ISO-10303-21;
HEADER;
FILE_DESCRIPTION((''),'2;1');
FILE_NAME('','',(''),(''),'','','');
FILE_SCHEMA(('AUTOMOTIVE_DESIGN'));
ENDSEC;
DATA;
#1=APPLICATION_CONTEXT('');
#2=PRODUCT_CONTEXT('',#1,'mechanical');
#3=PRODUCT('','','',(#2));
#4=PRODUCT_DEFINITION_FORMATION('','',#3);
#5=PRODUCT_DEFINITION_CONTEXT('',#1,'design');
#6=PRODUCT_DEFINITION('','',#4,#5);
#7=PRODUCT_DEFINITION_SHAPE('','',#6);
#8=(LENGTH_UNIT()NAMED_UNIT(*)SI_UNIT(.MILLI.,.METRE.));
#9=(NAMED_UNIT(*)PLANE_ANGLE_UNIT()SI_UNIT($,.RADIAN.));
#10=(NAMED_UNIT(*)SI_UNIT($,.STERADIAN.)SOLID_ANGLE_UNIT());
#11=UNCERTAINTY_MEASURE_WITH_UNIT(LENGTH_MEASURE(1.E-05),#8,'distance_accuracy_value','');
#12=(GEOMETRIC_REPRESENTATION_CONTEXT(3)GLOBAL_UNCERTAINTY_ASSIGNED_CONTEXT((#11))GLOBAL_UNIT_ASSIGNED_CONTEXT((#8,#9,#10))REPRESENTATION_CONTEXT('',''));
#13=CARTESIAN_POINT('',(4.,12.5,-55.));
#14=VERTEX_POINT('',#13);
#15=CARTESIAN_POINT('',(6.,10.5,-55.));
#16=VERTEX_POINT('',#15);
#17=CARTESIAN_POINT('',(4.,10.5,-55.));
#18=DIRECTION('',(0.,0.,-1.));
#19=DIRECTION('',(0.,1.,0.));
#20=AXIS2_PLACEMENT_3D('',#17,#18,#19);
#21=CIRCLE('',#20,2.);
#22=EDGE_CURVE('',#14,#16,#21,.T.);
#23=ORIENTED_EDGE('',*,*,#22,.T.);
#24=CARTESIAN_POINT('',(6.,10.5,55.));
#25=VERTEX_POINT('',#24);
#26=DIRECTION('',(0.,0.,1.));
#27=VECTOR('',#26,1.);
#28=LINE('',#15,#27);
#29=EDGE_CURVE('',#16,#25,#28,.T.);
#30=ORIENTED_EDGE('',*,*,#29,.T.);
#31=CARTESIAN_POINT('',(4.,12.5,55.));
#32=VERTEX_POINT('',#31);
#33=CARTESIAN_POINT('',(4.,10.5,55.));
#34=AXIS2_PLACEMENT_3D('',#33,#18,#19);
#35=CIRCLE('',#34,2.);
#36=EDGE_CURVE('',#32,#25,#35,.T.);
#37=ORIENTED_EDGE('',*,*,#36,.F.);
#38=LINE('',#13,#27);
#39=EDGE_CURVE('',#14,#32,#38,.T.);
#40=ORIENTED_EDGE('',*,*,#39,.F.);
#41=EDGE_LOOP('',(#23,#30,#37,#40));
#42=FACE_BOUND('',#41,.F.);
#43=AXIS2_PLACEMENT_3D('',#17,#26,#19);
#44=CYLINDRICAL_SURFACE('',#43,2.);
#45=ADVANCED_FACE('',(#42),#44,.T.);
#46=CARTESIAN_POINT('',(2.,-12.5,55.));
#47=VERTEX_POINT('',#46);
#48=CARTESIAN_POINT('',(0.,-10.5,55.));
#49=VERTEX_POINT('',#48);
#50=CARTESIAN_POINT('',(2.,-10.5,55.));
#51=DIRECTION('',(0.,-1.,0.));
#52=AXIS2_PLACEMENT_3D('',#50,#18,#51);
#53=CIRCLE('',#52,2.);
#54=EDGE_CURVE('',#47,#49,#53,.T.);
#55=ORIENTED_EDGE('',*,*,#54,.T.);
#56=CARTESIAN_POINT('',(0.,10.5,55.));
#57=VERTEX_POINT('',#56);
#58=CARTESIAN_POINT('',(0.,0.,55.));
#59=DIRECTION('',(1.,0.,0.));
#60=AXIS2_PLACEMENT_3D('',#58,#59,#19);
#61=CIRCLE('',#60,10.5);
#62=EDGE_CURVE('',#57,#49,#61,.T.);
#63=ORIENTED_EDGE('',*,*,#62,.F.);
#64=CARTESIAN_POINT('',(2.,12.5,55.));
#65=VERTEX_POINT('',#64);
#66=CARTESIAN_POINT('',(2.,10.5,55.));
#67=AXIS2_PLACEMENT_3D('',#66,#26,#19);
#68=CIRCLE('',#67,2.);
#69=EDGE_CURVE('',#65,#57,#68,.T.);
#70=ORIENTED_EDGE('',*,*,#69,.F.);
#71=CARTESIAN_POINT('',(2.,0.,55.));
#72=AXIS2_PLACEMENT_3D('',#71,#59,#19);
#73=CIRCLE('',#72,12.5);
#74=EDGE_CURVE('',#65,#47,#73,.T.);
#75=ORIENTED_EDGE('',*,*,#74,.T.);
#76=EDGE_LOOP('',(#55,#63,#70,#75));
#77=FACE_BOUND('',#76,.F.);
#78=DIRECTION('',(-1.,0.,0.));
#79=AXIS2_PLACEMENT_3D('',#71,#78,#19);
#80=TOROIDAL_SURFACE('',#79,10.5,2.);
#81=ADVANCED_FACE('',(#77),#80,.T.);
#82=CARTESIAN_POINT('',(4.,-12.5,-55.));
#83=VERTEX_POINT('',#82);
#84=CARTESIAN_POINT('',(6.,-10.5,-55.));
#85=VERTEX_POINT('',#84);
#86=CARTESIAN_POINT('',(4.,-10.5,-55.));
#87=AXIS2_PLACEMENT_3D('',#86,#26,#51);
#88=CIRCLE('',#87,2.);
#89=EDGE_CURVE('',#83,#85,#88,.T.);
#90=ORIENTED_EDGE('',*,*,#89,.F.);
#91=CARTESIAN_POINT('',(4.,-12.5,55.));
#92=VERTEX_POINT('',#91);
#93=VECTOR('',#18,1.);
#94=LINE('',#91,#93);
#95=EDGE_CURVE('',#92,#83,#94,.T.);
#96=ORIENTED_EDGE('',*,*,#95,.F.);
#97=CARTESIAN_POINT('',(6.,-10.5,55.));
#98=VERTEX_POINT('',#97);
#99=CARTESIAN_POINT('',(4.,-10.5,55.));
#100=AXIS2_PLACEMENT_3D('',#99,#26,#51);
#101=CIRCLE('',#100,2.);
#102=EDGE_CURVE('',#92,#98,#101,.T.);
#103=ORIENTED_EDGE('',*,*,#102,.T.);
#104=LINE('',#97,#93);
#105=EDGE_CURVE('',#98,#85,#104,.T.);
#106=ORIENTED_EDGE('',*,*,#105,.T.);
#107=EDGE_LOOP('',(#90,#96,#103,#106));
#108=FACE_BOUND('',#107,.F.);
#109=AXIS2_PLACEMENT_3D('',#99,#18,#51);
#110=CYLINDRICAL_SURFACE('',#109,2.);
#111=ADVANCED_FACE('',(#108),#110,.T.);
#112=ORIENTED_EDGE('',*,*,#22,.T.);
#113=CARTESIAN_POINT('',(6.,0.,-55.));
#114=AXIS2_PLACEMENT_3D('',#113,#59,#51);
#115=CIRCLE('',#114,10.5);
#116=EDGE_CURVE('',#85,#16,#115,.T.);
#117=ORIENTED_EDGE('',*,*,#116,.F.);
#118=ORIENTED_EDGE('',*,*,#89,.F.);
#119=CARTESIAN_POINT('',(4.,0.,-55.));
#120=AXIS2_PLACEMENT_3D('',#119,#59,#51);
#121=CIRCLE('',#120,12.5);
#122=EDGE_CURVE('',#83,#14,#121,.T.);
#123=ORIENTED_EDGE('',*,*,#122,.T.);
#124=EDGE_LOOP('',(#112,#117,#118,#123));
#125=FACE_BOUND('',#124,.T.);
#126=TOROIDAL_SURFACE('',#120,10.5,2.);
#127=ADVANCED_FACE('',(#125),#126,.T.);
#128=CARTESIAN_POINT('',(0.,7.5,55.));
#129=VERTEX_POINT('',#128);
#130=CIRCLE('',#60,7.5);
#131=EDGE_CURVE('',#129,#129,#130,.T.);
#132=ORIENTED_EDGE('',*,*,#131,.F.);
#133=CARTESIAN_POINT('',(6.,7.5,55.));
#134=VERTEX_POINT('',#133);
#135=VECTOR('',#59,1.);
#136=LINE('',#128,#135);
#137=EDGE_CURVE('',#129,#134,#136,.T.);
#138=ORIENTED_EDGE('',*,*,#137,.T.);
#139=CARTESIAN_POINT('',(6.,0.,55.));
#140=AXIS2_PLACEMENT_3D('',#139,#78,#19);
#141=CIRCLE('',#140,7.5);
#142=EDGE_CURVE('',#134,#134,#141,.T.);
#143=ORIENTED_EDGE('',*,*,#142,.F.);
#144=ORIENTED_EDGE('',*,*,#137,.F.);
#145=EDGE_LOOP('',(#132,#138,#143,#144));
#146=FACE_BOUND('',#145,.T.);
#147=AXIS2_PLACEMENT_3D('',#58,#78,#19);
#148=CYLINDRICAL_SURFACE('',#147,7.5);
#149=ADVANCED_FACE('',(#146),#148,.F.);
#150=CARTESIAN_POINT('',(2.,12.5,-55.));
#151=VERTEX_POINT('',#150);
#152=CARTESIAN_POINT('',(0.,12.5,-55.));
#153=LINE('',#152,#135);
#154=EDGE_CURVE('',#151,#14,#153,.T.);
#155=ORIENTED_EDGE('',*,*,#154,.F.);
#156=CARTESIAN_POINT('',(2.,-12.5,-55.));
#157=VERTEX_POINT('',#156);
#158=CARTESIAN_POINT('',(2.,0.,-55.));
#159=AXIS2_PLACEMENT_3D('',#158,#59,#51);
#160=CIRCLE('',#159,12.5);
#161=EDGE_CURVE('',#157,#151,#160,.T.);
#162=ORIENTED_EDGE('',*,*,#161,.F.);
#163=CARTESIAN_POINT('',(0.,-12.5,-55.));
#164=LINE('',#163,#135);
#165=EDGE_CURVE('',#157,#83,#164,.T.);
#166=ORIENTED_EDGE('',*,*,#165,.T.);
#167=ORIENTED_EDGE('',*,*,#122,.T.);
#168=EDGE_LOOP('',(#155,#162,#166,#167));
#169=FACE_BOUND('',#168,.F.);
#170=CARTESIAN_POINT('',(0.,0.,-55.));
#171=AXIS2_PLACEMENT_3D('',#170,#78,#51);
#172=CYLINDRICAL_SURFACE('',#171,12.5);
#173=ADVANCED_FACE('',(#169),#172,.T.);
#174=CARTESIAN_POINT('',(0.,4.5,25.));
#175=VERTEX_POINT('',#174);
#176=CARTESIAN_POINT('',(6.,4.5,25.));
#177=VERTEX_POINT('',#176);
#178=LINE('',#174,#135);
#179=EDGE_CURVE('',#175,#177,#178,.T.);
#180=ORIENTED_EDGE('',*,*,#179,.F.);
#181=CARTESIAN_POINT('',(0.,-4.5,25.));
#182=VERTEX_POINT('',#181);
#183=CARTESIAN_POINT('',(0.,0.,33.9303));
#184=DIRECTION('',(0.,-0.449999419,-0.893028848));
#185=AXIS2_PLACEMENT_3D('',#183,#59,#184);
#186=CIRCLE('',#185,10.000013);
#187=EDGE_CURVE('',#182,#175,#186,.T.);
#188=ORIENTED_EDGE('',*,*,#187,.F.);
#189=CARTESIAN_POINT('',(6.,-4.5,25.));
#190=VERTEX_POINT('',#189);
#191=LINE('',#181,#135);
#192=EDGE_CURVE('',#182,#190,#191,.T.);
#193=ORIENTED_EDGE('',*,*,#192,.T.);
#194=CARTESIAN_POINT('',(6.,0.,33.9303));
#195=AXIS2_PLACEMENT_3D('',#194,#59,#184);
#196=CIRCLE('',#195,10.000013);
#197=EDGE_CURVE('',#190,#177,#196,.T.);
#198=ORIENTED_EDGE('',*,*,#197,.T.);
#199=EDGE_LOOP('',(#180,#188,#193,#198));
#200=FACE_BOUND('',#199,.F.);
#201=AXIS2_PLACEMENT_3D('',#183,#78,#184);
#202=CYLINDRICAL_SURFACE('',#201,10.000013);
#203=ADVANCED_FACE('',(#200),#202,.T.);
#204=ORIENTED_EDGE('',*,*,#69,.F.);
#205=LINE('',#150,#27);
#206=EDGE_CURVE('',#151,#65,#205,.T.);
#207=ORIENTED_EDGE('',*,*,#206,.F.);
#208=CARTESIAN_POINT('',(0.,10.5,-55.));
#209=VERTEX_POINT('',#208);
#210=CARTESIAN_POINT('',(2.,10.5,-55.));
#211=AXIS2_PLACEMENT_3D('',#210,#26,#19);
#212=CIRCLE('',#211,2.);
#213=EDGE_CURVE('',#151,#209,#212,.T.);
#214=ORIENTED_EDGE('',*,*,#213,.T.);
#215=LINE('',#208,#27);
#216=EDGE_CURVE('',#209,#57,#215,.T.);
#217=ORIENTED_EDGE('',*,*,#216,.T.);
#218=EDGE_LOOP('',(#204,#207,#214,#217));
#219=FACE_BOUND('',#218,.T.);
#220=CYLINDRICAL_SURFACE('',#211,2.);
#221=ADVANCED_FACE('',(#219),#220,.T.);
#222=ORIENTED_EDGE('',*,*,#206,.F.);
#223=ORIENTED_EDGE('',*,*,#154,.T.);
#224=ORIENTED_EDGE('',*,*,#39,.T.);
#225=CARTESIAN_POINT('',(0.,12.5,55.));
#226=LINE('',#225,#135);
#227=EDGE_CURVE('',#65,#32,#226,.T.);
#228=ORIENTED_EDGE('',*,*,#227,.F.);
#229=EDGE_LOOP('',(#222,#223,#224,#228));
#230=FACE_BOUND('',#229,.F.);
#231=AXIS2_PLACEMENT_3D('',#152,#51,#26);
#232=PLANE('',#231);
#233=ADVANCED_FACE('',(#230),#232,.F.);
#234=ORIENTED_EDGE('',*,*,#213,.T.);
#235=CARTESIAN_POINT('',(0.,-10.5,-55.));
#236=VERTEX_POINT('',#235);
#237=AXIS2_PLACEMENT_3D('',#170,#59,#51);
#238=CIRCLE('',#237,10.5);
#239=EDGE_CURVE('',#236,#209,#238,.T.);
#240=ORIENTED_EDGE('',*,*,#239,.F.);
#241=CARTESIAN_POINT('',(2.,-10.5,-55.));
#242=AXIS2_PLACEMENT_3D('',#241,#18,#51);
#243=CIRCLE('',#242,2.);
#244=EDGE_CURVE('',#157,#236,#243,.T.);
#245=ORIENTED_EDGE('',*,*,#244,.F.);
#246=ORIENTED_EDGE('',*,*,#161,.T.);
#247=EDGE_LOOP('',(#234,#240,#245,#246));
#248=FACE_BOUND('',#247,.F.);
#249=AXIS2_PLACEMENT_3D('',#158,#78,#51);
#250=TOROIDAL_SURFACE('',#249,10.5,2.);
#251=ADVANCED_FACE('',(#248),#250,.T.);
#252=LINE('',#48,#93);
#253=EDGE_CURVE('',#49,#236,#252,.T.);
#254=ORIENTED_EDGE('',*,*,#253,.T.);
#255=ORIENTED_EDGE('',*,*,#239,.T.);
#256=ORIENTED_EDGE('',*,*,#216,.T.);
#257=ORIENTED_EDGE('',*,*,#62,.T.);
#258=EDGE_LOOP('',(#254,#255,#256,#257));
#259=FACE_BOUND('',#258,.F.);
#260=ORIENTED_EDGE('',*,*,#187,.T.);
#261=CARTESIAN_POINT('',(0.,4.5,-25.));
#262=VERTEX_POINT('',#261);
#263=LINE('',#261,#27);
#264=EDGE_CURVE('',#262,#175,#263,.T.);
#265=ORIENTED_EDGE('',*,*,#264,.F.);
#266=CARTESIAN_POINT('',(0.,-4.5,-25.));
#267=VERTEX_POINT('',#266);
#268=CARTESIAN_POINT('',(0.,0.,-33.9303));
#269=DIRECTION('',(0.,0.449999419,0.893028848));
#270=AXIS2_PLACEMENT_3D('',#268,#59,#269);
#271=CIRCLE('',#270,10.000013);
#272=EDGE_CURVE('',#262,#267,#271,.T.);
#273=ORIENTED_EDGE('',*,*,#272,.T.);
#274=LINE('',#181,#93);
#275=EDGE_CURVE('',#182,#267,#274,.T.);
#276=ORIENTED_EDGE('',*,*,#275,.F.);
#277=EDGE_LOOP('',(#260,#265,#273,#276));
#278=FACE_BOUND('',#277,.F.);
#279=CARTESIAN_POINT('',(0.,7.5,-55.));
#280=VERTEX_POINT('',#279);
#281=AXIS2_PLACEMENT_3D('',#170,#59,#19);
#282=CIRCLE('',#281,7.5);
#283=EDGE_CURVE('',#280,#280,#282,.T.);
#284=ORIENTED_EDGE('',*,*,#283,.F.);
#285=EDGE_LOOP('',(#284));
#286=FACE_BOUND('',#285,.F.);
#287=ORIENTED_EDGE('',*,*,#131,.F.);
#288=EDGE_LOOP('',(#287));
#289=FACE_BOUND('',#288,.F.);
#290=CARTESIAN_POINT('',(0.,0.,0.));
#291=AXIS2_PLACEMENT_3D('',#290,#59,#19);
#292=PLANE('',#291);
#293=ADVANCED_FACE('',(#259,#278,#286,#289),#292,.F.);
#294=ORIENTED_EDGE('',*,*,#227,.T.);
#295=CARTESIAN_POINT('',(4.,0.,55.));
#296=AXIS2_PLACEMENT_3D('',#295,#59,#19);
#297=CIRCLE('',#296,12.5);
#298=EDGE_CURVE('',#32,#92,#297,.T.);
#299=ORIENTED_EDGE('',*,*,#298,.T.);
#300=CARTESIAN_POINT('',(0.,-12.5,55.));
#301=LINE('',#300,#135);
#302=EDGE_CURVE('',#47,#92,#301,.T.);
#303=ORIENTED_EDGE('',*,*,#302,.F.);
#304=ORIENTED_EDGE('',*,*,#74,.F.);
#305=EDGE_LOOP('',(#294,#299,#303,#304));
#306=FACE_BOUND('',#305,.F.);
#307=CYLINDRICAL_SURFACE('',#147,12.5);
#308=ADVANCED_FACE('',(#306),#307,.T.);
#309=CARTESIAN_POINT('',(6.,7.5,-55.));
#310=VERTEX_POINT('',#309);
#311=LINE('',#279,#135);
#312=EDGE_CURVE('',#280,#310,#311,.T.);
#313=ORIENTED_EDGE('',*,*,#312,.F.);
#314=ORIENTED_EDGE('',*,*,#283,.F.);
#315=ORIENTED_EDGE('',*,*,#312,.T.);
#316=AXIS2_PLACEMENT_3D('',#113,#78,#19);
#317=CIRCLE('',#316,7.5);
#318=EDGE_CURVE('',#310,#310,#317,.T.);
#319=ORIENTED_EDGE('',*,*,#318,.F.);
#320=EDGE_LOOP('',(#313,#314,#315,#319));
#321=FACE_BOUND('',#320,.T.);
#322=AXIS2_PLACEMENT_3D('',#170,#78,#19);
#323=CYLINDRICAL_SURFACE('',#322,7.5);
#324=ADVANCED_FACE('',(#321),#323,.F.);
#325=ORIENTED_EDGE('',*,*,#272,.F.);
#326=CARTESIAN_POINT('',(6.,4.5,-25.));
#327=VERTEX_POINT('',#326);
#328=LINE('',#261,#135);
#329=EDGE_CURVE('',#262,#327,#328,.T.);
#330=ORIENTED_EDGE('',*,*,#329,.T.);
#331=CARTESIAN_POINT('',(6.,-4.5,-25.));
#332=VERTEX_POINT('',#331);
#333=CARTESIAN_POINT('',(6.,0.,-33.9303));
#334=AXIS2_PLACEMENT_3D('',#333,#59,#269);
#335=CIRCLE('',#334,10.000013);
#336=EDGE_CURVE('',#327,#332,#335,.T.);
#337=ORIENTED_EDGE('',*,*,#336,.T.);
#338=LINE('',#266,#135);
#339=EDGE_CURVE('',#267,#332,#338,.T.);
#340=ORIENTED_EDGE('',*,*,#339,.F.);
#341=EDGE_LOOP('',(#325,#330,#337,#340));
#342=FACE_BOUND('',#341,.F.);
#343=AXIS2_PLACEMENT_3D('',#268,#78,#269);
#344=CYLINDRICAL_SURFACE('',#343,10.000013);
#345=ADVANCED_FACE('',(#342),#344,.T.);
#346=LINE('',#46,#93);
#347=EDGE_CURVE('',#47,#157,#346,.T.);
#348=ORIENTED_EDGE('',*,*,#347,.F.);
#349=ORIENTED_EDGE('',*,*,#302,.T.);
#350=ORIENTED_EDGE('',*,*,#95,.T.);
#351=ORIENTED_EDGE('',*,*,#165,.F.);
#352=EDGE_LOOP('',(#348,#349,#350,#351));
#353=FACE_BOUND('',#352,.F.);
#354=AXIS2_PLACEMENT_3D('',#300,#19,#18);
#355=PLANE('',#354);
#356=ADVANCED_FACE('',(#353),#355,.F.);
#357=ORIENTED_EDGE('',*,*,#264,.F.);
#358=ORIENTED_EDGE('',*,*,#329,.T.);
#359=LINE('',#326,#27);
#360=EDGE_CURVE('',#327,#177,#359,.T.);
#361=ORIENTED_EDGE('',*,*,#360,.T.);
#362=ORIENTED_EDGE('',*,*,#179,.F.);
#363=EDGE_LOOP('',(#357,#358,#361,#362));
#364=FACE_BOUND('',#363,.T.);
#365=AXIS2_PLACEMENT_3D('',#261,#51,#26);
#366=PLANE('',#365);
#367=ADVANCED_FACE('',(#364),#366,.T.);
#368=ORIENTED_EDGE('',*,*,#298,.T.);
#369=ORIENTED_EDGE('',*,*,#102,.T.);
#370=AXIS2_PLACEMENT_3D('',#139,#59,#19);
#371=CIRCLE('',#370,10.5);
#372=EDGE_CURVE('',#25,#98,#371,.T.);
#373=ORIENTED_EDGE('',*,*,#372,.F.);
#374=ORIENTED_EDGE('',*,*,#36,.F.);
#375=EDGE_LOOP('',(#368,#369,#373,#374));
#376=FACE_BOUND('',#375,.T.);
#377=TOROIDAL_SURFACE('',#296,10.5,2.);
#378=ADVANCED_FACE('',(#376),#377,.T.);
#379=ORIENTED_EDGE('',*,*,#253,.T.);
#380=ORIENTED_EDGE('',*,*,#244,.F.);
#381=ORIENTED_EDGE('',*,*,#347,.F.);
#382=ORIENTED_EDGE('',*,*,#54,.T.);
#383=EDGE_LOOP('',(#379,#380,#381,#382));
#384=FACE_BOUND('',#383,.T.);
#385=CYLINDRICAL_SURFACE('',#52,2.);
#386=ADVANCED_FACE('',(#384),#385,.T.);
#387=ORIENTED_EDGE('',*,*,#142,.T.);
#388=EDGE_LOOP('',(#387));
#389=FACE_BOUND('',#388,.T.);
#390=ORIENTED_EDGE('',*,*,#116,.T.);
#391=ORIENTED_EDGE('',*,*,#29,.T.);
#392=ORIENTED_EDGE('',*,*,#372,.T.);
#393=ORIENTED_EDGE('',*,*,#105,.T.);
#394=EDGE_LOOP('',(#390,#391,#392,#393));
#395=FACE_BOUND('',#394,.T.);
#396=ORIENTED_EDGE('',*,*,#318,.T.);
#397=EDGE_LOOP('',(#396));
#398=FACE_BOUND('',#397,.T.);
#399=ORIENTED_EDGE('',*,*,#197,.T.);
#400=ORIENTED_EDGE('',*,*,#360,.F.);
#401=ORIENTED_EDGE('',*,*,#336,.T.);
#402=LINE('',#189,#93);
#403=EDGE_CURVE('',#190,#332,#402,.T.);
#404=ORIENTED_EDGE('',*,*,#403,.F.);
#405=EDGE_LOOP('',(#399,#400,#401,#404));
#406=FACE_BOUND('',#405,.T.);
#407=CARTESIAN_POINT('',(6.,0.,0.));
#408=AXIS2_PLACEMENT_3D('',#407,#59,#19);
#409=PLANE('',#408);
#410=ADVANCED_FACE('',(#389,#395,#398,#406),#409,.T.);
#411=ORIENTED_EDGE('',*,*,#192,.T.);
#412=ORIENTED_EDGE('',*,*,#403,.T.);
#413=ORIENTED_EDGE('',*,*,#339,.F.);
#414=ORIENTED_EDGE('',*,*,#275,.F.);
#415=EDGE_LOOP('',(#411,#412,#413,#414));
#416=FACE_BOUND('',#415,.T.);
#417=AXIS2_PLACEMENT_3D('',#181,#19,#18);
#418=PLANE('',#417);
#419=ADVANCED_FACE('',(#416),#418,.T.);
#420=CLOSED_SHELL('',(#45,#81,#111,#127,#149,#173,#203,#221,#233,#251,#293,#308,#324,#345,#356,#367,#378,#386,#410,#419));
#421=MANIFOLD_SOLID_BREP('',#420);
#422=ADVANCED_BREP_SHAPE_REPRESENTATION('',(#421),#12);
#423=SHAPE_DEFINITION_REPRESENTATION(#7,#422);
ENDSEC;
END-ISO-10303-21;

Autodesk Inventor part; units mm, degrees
ref_plane "YZ Plane" through (0, 0, 0) normal (1, 0, 0) x (0, 1, 0)
ref_plane "XZ Plane" through (0, 0, 0) normal (0, 1, 0) x (-1, 0, 0)
ref_plane "XY Plane" through (0, 0, 0) normal (0, 0, 1) x (1, 0, 0)
sketch "Sketch1" plane through (0, 0, 0) normal (1, 0, 0) x (0, 1, 0)
  line L0 (12.5, 55) -> (-12.5, 55)
  line L1 (-12.5, 55) -> (-12.5, -55)
  line L2 (-12.5, -55) -> (12.5, -55)
  line L3 (12.5, -55) -> (12.5, 55)
  arc A0 (12.5, 55) -> (-12.5, 55) centre (0, 55) ccw
  arc A1 (-12.5, -55) -> (12.5, -55) centre (0, -55) ccw
  line L4 (4, 55) -> (-4, 55)
  circle A2 centre (0, 55) radius 7.5
  circle A3 centre (0, -55) radius 7.5
  line L5 (4.5, 25) -> (-4.5, 25)
  line L6 (-4.5, 25) -> (-4.5, -25)
  line L7 (-4.5, -25) -> (4.5, -25)
  line L8 (4.5, -25) -> (4.5, 25)
  line L9 (4.5, 25) -> (-4.5, -25) construction
  line L10 (-4.5, 25) -> (4.5, -25) construction
  arc A4 (4.5, -25) -> (-4.5, -25) centre (0, -33.9303) ccw
  arc A5 (-4.5, 25) -> (4.5, 25) centre (0, 33.9303) ccw
  point P0 (0, 0)
  point P1 (12.5, 0)
  dimension "d0" = 110
  dimension "d1" = 55
  dimension "d2" = 12.5
  dimension "d3" = 25
  dimension "d27" = 12.5
  dimension "d28" = 15
  dimension "d29" = 15
  dimension "d31" = 55
  dimension "d40" = 50
  dimension "d42" = 8
  dimension "d43" = 10
  dimension "d44" = 10
extrude "Extrusion1" add sketch "Sketch1" along normal blind 6 contours L3 L2 A3 L1 L0 A2 | L0 A2 A0 | A1 L2 A3 | A5 L5 | L7 A4
fillet "Fillet3" radius 2 8 edges at (6, 0, 67.5) (6, -12.5, 0) (6, 0, -67.5) (6, 12.5, 0) (0, 0, 67.5) (0, -12.5, 0) (0, 0, -67.5) (0, 12.5, 0)
equation "\"d0\" = FEMUR_X"
equation "\"d1\" = 0.5 * FEMUR_X"
equation "\"d2\" = 0.5 * FEMUR_WIDTH"
equation "\"d3\" = FEMUR_WIDTH"
equation "\"d28\" = PIVOT_DIAMETER"
equation "\"d29\" = PIVOT_DIAMETER"
equation "\"d31\" = 0.5 * FEMUR_X"
equation "\"d17\" = FEMUR_HEIGHT"
equation "\"d25\" = PART_FILLET"
equation "\"FEMUR_X\" = 110"
equation "\"FEMUR_WIDTH\" = 25"
equation "\"PIVOT_DIAMETER\" = 15"
equation "\"FEMUR_HEIGHT\" = 6"
equation "\"PART_FILLET\" = 2"
properties part number "FemurHornSide"
